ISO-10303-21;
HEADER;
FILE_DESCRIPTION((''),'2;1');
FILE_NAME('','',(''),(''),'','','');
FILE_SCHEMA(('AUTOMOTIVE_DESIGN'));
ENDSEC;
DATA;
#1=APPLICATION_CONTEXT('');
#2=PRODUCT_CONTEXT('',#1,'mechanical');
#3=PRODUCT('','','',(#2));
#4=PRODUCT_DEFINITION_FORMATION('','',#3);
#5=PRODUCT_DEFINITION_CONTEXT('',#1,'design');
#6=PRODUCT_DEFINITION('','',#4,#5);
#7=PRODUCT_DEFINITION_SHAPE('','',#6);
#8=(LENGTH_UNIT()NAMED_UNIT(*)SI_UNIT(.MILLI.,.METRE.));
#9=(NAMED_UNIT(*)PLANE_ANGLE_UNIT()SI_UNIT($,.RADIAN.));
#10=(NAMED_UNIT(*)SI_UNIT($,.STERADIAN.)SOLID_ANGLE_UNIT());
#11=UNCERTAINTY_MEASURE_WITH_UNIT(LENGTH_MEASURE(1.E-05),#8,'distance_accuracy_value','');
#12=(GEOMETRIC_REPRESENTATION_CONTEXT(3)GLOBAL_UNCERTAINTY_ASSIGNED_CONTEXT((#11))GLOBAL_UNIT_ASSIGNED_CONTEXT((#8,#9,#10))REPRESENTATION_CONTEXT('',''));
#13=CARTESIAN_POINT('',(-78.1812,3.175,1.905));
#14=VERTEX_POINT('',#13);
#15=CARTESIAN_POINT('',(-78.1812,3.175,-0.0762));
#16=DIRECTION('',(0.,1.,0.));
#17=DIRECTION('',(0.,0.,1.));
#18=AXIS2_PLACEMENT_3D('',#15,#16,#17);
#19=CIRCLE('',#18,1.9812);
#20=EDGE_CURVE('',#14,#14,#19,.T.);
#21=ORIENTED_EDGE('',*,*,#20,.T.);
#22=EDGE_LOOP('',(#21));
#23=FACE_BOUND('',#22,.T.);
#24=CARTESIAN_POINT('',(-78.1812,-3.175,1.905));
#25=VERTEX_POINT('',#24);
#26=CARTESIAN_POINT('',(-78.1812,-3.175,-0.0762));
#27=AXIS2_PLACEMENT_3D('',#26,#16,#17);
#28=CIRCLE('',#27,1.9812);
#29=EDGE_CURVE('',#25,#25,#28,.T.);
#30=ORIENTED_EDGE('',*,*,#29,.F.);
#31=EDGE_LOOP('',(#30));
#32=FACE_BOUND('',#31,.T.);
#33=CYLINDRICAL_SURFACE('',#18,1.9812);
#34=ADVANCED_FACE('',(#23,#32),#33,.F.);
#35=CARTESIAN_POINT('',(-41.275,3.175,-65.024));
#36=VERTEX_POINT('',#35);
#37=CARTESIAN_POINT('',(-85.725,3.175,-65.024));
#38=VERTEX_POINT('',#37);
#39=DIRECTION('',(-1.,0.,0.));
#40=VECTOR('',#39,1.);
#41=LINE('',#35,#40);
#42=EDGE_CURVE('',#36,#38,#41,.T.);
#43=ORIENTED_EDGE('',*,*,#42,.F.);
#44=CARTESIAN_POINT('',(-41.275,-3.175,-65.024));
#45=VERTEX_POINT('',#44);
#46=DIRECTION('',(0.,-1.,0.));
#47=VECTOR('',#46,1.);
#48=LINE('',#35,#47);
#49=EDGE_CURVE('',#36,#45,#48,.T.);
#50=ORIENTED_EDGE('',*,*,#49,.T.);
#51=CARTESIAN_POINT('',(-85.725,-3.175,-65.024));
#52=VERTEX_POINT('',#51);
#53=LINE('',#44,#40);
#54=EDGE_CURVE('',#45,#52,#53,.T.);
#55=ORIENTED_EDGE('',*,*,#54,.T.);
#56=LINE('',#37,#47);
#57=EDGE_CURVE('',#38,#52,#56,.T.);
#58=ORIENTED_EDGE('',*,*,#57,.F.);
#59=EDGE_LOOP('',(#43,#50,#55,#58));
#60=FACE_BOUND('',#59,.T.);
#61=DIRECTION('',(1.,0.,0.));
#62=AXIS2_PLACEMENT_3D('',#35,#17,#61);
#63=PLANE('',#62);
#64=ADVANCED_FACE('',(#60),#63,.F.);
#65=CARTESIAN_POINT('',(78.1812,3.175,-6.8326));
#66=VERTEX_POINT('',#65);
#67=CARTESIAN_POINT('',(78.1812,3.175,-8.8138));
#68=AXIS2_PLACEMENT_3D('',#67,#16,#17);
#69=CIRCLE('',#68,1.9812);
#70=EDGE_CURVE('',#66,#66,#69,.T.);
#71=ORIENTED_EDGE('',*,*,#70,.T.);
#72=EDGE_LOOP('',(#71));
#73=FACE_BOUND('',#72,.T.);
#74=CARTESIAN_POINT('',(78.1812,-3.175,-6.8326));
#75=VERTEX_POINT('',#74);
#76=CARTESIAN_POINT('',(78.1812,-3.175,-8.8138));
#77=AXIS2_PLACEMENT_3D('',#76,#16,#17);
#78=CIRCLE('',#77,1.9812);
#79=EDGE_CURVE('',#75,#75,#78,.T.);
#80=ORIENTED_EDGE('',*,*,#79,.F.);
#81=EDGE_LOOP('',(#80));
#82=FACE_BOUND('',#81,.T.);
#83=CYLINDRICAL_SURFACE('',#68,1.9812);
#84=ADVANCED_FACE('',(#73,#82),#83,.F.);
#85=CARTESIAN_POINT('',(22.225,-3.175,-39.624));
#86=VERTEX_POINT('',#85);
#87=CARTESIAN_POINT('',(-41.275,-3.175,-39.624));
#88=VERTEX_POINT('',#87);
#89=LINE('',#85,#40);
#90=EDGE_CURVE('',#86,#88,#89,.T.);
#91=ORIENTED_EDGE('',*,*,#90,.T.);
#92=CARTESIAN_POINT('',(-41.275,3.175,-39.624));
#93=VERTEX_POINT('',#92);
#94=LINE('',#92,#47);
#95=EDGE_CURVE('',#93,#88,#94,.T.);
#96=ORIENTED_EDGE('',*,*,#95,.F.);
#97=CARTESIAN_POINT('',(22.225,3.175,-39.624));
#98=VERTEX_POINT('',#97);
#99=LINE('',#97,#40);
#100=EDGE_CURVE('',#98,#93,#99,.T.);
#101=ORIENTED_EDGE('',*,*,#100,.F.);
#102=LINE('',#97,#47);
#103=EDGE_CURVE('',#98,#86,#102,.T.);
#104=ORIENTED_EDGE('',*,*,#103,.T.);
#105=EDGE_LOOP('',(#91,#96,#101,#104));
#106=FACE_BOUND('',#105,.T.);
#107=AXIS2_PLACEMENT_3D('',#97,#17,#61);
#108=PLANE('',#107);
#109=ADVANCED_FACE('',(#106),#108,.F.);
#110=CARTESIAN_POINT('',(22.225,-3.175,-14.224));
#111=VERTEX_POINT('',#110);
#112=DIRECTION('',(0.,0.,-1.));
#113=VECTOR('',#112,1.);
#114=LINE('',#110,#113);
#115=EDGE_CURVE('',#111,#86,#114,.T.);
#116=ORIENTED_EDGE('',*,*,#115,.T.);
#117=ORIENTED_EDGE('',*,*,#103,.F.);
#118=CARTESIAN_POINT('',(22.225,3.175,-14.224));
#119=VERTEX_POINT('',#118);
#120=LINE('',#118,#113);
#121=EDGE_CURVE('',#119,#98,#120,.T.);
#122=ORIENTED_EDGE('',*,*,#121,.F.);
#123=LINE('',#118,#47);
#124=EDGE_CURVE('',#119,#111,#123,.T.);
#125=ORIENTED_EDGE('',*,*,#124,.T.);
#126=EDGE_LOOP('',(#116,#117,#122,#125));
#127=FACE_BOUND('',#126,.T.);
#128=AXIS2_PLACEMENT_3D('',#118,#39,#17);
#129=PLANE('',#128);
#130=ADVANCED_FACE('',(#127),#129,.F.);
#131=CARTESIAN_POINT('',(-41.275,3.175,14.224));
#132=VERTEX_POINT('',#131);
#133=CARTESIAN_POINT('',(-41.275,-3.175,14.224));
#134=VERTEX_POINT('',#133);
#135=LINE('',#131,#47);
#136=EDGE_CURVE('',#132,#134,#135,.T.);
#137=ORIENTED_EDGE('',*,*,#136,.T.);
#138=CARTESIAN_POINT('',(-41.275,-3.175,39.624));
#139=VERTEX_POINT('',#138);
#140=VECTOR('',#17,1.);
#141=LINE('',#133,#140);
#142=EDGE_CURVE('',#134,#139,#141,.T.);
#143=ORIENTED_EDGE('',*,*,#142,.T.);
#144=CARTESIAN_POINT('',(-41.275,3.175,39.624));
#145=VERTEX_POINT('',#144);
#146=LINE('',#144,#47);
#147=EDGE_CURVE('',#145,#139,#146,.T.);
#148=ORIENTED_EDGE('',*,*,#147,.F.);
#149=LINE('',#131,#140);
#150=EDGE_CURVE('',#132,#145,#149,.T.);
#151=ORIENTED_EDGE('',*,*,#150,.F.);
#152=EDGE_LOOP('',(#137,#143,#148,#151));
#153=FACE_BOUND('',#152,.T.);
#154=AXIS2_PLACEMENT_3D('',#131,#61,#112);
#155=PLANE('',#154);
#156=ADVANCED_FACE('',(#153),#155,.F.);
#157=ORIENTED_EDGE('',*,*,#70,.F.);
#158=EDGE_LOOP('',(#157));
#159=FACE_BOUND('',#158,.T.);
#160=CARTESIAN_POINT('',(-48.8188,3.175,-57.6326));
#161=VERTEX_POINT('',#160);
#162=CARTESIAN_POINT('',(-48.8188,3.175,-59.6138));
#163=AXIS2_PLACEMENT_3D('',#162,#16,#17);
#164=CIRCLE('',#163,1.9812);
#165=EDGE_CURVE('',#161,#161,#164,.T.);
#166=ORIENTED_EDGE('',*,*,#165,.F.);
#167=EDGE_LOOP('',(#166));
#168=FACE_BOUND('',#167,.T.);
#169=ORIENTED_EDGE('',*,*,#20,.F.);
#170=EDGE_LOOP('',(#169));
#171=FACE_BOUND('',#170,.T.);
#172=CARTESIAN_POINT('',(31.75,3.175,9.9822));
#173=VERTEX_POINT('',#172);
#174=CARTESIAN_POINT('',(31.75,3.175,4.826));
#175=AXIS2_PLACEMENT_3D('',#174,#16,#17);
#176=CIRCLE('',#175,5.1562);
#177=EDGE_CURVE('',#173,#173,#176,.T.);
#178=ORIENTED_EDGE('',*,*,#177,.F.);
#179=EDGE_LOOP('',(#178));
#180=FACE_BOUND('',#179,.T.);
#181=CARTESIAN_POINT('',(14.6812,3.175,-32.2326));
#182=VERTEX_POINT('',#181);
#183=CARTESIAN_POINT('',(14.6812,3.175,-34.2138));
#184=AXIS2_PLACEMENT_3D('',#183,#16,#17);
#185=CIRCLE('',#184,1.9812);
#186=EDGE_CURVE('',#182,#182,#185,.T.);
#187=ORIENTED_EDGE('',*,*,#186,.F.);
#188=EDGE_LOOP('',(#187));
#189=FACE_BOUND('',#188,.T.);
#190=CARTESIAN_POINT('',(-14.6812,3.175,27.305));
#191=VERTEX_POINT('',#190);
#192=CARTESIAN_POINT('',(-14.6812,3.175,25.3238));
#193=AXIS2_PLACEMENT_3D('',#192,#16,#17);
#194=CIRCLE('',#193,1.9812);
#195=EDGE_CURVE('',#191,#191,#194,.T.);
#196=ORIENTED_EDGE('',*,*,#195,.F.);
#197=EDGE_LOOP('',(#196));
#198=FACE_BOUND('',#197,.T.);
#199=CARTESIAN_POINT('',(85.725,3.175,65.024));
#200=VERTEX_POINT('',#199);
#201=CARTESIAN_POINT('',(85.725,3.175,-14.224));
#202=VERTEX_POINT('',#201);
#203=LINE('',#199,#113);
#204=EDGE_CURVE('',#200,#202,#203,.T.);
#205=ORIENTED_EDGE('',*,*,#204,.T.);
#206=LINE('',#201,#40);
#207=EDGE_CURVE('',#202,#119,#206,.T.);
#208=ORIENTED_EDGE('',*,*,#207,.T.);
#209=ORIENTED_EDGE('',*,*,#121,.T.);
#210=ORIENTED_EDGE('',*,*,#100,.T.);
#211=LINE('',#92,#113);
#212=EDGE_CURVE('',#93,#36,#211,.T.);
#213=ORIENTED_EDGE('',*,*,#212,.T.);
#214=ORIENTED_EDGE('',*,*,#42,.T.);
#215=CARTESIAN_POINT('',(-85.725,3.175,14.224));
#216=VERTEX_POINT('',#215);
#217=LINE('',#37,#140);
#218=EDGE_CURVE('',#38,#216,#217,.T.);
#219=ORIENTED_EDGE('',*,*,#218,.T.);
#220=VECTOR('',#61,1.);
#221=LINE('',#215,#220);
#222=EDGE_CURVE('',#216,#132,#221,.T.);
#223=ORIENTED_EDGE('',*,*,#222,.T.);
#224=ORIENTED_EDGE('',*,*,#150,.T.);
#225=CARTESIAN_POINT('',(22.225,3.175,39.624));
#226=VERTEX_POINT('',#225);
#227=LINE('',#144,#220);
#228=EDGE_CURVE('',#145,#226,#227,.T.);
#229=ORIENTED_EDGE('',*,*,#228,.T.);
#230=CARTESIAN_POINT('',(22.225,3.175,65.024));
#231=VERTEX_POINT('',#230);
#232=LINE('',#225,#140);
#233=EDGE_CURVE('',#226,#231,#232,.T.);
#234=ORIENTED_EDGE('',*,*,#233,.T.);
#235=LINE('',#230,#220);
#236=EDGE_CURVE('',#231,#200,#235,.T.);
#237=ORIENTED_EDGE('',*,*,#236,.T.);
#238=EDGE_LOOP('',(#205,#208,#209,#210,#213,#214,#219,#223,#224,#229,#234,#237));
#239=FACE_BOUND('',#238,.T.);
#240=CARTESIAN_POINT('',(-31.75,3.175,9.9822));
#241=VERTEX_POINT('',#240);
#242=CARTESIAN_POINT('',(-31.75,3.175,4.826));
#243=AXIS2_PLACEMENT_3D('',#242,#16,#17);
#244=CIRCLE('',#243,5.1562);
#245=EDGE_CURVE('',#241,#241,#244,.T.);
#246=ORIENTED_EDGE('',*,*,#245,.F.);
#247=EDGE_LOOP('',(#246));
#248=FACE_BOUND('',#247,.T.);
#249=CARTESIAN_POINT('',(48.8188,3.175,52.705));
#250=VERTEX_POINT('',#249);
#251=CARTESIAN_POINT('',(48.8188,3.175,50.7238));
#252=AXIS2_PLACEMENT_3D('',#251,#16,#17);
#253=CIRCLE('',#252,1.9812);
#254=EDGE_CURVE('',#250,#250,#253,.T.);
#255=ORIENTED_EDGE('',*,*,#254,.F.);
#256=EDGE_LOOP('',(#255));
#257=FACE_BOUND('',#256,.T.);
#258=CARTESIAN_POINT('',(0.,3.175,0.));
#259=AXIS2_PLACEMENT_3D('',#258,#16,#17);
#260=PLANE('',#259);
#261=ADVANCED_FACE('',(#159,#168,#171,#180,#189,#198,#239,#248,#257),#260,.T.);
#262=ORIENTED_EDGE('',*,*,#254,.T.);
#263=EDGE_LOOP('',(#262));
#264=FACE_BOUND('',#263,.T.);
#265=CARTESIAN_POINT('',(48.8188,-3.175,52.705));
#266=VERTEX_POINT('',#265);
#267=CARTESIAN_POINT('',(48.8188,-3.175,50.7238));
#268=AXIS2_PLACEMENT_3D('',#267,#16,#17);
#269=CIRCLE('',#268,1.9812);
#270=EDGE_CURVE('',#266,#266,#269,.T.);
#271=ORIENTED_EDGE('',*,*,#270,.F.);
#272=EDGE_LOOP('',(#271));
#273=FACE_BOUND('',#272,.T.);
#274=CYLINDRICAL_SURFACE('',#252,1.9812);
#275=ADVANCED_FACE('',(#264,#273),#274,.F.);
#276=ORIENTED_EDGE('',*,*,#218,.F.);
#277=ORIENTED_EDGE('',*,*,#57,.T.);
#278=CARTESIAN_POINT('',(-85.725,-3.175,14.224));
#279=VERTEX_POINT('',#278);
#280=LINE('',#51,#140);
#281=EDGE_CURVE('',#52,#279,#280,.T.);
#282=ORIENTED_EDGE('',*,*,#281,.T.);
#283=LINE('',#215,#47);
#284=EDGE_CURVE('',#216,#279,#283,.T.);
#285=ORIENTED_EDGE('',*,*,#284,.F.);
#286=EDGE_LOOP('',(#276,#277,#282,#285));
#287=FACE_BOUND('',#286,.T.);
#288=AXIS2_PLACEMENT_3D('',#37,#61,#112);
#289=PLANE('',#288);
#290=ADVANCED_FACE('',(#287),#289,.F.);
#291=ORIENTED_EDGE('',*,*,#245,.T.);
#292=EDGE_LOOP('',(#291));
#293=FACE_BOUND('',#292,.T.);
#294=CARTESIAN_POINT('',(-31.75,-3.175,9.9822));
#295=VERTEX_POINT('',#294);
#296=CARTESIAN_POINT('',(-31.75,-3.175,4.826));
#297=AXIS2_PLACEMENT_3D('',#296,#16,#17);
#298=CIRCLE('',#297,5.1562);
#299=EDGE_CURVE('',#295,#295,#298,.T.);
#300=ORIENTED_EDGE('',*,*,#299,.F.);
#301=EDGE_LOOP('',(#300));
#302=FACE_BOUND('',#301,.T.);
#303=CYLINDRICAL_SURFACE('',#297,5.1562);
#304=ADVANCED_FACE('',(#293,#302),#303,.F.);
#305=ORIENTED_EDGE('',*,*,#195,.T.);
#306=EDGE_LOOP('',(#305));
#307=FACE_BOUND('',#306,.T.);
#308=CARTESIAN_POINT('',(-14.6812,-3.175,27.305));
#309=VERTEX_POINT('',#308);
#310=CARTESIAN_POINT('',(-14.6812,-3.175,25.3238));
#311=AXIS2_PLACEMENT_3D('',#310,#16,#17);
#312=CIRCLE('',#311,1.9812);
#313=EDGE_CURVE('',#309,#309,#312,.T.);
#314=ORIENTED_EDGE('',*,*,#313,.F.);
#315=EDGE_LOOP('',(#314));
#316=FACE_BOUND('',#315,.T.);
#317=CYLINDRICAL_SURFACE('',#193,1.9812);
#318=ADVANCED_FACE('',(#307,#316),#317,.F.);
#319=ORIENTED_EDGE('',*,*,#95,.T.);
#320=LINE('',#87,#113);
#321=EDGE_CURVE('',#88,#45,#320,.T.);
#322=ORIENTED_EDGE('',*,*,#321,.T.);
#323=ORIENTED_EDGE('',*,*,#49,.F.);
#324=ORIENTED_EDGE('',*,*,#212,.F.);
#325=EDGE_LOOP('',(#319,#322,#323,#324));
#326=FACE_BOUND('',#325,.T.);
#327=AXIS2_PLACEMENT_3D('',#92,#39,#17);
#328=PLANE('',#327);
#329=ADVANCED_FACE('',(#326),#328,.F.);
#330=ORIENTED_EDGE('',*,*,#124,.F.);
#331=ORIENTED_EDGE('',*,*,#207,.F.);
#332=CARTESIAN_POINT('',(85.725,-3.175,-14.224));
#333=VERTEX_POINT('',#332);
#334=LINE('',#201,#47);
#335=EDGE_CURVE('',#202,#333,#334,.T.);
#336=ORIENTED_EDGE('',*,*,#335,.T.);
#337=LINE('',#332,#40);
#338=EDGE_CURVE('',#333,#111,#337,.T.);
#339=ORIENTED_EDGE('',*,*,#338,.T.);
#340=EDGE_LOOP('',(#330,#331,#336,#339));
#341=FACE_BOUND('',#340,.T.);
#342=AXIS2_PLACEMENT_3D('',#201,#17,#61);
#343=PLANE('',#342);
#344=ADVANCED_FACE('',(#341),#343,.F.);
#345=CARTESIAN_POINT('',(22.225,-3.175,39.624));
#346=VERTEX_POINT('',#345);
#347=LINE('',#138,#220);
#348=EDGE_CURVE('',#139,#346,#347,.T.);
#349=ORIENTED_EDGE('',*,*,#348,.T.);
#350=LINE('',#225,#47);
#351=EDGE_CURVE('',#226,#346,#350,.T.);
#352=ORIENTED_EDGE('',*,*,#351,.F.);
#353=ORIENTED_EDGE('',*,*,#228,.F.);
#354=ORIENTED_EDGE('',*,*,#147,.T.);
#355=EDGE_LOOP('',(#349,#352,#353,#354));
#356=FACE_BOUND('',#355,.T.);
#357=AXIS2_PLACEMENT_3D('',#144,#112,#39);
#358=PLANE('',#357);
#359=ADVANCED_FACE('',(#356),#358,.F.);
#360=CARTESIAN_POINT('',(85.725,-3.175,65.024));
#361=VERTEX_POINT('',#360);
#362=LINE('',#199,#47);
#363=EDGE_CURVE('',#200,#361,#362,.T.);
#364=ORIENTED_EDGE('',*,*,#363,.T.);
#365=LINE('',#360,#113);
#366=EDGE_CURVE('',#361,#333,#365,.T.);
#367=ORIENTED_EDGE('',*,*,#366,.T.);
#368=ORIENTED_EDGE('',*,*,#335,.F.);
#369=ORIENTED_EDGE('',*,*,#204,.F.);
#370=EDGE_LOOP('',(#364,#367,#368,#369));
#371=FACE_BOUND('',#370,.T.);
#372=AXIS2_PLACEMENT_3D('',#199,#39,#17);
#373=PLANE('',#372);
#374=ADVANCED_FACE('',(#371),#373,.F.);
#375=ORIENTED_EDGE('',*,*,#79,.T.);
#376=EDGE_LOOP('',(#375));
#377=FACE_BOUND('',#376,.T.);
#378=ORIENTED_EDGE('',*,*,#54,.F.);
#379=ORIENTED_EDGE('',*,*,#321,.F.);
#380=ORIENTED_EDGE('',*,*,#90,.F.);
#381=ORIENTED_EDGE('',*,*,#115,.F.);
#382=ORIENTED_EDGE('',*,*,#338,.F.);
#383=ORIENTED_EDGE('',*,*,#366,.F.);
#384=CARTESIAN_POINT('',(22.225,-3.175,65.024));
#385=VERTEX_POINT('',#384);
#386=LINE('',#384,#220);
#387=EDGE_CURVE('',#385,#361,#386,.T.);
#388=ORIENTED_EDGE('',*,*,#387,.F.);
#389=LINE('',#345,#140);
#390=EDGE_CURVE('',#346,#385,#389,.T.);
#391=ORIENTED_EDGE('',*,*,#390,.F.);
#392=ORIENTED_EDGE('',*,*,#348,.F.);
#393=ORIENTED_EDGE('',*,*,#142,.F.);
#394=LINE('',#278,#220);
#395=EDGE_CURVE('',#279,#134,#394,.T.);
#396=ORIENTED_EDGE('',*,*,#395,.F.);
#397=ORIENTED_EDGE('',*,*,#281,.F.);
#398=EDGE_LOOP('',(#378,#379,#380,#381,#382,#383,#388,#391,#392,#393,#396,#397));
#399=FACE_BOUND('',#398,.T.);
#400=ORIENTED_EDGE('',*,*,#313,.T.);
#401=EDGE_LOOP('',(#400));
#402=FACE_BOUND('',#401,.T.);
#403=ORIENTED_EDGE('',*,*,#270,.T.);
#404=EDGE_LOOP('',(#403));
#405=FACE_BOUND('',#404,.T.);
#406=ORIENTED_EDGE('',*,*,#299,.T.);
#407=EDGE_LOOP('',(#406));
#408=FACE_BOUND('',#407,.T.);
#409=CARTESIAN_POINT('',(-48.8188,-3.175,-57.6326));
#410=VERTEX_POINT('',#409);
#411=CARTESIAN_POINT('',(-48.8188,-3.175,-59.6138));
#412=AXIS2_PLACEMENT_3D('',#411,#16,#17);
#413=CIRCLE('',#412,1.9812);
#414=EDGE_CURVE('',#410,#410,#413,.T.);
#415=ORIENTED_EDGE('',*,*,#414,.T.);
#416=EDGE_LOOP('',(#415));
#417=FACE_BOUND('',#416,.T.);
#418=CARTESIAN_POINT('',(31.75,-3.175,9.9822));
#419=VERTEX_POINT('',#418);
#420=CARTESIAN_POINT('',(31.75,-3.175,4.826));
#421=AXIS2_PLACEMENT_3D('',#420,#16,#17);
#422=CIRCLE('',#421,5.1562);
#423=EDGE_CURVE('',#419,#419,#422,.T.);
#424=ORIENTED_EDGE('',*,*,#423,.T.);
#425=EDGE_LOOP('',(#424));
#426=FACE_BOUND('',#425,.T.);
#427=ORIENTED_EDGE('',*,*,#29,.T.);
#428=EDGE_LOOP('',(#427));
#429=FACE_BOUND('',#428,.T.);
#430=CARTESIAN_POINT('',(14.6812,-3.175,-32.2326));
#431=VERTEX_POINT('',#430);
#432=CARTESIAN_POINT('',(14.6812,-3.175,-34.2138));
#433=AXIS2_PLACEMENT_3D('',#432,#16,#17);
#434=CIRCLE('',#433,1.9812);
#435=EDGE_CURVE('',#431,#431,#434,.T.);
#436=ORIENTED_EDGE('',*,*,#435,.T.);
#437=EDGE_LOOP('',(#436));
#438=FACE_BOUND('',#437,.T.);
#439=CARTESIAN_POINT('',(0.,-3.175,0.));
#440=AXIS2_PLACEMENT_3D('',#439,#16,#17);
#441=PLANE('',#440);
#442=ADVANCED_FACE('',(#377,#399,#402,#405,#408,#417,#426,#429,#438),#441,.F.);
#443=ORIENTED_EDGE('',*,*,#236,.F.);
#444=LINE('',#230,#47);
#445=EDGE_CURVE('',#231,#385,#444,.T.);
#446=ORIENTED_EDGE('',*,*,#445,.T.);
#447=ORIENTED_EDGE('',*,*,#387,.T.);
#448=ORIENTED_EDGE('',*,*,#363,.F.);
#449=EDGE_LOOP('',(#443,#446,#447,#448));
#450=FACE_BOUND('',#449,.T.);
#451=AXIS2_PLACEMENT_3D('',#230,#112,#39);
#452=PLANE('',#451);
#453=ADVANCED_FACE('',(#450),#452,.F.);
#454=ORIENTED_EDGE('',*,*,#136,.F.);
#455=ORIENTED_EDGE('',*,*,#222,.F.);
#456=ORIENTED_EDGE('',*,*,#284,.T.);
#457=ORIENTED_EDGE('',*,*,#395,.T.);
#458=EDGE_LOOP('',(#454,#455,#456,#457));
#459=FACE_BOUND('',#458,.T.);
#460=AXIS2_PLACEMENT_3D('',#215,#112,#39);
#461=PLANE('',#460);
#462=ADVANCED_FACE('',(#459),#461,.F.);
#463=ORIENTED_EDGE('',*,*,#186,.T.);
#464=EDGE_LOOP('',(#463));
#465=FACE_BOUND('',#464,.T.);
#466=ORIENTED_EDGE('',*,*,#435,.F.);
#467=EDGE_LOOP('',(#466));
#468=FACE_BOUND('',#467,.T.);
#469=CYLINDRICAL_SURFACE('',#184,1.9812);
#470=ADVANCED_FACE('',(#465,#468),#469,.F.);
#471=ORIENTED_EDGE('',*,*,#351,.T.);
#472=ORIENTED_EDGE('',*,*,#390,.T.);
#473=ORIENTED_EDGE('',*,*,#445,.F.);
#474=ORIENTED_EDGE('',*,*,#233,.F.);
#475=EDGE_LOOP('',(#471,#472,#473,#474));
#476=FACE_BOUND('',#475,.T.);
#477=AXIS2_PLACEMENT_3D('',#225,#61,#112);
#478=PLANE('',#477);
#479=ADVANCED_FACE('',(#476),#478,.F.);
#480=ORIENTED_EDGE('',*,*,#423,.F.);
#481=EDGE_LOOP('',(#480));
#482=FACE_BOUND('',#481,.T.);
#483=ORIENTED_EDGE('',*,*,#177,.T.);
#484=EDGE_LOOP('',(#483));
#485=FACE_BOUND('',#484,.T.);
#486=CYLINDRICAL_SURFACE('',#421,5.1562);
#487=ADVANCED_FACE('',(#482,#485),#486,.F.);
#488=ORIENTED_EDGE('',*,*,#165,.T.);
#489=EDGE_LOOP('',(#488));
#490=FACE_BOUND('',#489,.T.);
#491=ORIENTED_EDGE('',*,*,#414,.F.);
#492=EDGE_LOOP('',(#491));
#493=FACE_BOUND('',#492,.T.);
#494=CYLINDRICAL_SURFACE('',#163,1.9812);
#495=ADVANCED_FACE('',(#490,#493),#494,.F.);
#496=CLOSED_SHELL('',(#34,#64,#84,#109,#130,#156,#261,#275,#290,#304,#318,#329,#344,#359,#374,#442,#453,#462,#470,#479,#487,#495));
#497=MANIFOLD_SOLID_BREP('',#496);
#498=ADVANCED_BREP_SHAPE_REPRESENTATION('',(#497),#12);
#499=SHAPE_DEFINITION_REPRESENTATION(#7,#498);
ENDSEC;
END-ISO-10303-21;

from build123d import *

# Parameters (mm, degrees)
BOSS_EXTRUDE1_DEPTH        = 3.175
CUT_EXTRUDE2_START         = 3.175
SKETCH2_R                  = 5.1562
CUT_EXTRUDE2_DEPTH         = 111.817820597
F_10_24_TAPPED_HOLE1_D     = 3.9624
F_10_24_TAPPED_HOLE1_DEPTH = 6.35
F_10_24_TAPPED_HOLE1_TIP   = 1.190425058


with BuildPart() as part:
    # Sketch1 → Boss-Extrude1 (new, symmetric)
    with BuildSketch(Plane(origin=(0, 0, 0), x_dir=(1, 0, 0), z_dir=(0, 1, 0))):
        Polygon((-85.725, -14.224), (-41.275, -14.224), (-41.275, -39.624), (22.225, -39.624), (22.225, -65.024), (85.725, -65.024), (85.725, 14.224), (22.225, 14.224), (22.225, 39.624), (-41.275, 39.624), (-41.275, 65.024), (-85.725, 65.024), align=None)
    extrude(amount=BOSS_EXTRUDE1_DEPTH, both=True)

    # Sketch2 → Cut-Extrude2 (cut, through all)
    with BuildSketch(Plane(origin=(0, 0, 0), x_dir=(1, 0, 0), z_dir=(0, 1, 0)).offset(CUT_EXTRUDE2_START)):
        with Locations(Location((-31.75, -4.826, 0), (0, 0, 270))):
            Circle(SKETCH2_R)
        with Locations(Location((31.75, -4.826, 0), (0, 0, 270))):
            Circle(SKETCH2_R)
    extrude(amount=-CUT_EXTRUDE2_DEPTH, mode=Mode.SUBTRACT)

    # #10-24 Tapped Hole1
    with Locations(Plane(origin=(0, 3.175, 0), x_dir=(1, 0, 0), z_dir=(0, 1, 0))):
        with Locations((-78.1812, 0.0762), (-48.8188, 59.6138), (-14.6812, -25.3238), (14.6812, 34.2138), (48.8188, -50.7238), (78.1812, 8.8138)):
            Hole(F_10_24_TAPPED_HOLE1_D / 2, depth=F_10_24_TAPPED_HOLE1_DEPTH)
            with Locations((0, 0, -(F_10_24_TAPPED_HOLE1_DEPTH + F_10_24_TAPPED_HOLE1_TIP / 2))):  # 118° drill point
                Cone(0, F_10_24_TAPPED_HOLE1_D / 2, F_10_24_TAPPED_HOLE1_TIP, mode=Mode.SUBTRACT)


solid = part.part
